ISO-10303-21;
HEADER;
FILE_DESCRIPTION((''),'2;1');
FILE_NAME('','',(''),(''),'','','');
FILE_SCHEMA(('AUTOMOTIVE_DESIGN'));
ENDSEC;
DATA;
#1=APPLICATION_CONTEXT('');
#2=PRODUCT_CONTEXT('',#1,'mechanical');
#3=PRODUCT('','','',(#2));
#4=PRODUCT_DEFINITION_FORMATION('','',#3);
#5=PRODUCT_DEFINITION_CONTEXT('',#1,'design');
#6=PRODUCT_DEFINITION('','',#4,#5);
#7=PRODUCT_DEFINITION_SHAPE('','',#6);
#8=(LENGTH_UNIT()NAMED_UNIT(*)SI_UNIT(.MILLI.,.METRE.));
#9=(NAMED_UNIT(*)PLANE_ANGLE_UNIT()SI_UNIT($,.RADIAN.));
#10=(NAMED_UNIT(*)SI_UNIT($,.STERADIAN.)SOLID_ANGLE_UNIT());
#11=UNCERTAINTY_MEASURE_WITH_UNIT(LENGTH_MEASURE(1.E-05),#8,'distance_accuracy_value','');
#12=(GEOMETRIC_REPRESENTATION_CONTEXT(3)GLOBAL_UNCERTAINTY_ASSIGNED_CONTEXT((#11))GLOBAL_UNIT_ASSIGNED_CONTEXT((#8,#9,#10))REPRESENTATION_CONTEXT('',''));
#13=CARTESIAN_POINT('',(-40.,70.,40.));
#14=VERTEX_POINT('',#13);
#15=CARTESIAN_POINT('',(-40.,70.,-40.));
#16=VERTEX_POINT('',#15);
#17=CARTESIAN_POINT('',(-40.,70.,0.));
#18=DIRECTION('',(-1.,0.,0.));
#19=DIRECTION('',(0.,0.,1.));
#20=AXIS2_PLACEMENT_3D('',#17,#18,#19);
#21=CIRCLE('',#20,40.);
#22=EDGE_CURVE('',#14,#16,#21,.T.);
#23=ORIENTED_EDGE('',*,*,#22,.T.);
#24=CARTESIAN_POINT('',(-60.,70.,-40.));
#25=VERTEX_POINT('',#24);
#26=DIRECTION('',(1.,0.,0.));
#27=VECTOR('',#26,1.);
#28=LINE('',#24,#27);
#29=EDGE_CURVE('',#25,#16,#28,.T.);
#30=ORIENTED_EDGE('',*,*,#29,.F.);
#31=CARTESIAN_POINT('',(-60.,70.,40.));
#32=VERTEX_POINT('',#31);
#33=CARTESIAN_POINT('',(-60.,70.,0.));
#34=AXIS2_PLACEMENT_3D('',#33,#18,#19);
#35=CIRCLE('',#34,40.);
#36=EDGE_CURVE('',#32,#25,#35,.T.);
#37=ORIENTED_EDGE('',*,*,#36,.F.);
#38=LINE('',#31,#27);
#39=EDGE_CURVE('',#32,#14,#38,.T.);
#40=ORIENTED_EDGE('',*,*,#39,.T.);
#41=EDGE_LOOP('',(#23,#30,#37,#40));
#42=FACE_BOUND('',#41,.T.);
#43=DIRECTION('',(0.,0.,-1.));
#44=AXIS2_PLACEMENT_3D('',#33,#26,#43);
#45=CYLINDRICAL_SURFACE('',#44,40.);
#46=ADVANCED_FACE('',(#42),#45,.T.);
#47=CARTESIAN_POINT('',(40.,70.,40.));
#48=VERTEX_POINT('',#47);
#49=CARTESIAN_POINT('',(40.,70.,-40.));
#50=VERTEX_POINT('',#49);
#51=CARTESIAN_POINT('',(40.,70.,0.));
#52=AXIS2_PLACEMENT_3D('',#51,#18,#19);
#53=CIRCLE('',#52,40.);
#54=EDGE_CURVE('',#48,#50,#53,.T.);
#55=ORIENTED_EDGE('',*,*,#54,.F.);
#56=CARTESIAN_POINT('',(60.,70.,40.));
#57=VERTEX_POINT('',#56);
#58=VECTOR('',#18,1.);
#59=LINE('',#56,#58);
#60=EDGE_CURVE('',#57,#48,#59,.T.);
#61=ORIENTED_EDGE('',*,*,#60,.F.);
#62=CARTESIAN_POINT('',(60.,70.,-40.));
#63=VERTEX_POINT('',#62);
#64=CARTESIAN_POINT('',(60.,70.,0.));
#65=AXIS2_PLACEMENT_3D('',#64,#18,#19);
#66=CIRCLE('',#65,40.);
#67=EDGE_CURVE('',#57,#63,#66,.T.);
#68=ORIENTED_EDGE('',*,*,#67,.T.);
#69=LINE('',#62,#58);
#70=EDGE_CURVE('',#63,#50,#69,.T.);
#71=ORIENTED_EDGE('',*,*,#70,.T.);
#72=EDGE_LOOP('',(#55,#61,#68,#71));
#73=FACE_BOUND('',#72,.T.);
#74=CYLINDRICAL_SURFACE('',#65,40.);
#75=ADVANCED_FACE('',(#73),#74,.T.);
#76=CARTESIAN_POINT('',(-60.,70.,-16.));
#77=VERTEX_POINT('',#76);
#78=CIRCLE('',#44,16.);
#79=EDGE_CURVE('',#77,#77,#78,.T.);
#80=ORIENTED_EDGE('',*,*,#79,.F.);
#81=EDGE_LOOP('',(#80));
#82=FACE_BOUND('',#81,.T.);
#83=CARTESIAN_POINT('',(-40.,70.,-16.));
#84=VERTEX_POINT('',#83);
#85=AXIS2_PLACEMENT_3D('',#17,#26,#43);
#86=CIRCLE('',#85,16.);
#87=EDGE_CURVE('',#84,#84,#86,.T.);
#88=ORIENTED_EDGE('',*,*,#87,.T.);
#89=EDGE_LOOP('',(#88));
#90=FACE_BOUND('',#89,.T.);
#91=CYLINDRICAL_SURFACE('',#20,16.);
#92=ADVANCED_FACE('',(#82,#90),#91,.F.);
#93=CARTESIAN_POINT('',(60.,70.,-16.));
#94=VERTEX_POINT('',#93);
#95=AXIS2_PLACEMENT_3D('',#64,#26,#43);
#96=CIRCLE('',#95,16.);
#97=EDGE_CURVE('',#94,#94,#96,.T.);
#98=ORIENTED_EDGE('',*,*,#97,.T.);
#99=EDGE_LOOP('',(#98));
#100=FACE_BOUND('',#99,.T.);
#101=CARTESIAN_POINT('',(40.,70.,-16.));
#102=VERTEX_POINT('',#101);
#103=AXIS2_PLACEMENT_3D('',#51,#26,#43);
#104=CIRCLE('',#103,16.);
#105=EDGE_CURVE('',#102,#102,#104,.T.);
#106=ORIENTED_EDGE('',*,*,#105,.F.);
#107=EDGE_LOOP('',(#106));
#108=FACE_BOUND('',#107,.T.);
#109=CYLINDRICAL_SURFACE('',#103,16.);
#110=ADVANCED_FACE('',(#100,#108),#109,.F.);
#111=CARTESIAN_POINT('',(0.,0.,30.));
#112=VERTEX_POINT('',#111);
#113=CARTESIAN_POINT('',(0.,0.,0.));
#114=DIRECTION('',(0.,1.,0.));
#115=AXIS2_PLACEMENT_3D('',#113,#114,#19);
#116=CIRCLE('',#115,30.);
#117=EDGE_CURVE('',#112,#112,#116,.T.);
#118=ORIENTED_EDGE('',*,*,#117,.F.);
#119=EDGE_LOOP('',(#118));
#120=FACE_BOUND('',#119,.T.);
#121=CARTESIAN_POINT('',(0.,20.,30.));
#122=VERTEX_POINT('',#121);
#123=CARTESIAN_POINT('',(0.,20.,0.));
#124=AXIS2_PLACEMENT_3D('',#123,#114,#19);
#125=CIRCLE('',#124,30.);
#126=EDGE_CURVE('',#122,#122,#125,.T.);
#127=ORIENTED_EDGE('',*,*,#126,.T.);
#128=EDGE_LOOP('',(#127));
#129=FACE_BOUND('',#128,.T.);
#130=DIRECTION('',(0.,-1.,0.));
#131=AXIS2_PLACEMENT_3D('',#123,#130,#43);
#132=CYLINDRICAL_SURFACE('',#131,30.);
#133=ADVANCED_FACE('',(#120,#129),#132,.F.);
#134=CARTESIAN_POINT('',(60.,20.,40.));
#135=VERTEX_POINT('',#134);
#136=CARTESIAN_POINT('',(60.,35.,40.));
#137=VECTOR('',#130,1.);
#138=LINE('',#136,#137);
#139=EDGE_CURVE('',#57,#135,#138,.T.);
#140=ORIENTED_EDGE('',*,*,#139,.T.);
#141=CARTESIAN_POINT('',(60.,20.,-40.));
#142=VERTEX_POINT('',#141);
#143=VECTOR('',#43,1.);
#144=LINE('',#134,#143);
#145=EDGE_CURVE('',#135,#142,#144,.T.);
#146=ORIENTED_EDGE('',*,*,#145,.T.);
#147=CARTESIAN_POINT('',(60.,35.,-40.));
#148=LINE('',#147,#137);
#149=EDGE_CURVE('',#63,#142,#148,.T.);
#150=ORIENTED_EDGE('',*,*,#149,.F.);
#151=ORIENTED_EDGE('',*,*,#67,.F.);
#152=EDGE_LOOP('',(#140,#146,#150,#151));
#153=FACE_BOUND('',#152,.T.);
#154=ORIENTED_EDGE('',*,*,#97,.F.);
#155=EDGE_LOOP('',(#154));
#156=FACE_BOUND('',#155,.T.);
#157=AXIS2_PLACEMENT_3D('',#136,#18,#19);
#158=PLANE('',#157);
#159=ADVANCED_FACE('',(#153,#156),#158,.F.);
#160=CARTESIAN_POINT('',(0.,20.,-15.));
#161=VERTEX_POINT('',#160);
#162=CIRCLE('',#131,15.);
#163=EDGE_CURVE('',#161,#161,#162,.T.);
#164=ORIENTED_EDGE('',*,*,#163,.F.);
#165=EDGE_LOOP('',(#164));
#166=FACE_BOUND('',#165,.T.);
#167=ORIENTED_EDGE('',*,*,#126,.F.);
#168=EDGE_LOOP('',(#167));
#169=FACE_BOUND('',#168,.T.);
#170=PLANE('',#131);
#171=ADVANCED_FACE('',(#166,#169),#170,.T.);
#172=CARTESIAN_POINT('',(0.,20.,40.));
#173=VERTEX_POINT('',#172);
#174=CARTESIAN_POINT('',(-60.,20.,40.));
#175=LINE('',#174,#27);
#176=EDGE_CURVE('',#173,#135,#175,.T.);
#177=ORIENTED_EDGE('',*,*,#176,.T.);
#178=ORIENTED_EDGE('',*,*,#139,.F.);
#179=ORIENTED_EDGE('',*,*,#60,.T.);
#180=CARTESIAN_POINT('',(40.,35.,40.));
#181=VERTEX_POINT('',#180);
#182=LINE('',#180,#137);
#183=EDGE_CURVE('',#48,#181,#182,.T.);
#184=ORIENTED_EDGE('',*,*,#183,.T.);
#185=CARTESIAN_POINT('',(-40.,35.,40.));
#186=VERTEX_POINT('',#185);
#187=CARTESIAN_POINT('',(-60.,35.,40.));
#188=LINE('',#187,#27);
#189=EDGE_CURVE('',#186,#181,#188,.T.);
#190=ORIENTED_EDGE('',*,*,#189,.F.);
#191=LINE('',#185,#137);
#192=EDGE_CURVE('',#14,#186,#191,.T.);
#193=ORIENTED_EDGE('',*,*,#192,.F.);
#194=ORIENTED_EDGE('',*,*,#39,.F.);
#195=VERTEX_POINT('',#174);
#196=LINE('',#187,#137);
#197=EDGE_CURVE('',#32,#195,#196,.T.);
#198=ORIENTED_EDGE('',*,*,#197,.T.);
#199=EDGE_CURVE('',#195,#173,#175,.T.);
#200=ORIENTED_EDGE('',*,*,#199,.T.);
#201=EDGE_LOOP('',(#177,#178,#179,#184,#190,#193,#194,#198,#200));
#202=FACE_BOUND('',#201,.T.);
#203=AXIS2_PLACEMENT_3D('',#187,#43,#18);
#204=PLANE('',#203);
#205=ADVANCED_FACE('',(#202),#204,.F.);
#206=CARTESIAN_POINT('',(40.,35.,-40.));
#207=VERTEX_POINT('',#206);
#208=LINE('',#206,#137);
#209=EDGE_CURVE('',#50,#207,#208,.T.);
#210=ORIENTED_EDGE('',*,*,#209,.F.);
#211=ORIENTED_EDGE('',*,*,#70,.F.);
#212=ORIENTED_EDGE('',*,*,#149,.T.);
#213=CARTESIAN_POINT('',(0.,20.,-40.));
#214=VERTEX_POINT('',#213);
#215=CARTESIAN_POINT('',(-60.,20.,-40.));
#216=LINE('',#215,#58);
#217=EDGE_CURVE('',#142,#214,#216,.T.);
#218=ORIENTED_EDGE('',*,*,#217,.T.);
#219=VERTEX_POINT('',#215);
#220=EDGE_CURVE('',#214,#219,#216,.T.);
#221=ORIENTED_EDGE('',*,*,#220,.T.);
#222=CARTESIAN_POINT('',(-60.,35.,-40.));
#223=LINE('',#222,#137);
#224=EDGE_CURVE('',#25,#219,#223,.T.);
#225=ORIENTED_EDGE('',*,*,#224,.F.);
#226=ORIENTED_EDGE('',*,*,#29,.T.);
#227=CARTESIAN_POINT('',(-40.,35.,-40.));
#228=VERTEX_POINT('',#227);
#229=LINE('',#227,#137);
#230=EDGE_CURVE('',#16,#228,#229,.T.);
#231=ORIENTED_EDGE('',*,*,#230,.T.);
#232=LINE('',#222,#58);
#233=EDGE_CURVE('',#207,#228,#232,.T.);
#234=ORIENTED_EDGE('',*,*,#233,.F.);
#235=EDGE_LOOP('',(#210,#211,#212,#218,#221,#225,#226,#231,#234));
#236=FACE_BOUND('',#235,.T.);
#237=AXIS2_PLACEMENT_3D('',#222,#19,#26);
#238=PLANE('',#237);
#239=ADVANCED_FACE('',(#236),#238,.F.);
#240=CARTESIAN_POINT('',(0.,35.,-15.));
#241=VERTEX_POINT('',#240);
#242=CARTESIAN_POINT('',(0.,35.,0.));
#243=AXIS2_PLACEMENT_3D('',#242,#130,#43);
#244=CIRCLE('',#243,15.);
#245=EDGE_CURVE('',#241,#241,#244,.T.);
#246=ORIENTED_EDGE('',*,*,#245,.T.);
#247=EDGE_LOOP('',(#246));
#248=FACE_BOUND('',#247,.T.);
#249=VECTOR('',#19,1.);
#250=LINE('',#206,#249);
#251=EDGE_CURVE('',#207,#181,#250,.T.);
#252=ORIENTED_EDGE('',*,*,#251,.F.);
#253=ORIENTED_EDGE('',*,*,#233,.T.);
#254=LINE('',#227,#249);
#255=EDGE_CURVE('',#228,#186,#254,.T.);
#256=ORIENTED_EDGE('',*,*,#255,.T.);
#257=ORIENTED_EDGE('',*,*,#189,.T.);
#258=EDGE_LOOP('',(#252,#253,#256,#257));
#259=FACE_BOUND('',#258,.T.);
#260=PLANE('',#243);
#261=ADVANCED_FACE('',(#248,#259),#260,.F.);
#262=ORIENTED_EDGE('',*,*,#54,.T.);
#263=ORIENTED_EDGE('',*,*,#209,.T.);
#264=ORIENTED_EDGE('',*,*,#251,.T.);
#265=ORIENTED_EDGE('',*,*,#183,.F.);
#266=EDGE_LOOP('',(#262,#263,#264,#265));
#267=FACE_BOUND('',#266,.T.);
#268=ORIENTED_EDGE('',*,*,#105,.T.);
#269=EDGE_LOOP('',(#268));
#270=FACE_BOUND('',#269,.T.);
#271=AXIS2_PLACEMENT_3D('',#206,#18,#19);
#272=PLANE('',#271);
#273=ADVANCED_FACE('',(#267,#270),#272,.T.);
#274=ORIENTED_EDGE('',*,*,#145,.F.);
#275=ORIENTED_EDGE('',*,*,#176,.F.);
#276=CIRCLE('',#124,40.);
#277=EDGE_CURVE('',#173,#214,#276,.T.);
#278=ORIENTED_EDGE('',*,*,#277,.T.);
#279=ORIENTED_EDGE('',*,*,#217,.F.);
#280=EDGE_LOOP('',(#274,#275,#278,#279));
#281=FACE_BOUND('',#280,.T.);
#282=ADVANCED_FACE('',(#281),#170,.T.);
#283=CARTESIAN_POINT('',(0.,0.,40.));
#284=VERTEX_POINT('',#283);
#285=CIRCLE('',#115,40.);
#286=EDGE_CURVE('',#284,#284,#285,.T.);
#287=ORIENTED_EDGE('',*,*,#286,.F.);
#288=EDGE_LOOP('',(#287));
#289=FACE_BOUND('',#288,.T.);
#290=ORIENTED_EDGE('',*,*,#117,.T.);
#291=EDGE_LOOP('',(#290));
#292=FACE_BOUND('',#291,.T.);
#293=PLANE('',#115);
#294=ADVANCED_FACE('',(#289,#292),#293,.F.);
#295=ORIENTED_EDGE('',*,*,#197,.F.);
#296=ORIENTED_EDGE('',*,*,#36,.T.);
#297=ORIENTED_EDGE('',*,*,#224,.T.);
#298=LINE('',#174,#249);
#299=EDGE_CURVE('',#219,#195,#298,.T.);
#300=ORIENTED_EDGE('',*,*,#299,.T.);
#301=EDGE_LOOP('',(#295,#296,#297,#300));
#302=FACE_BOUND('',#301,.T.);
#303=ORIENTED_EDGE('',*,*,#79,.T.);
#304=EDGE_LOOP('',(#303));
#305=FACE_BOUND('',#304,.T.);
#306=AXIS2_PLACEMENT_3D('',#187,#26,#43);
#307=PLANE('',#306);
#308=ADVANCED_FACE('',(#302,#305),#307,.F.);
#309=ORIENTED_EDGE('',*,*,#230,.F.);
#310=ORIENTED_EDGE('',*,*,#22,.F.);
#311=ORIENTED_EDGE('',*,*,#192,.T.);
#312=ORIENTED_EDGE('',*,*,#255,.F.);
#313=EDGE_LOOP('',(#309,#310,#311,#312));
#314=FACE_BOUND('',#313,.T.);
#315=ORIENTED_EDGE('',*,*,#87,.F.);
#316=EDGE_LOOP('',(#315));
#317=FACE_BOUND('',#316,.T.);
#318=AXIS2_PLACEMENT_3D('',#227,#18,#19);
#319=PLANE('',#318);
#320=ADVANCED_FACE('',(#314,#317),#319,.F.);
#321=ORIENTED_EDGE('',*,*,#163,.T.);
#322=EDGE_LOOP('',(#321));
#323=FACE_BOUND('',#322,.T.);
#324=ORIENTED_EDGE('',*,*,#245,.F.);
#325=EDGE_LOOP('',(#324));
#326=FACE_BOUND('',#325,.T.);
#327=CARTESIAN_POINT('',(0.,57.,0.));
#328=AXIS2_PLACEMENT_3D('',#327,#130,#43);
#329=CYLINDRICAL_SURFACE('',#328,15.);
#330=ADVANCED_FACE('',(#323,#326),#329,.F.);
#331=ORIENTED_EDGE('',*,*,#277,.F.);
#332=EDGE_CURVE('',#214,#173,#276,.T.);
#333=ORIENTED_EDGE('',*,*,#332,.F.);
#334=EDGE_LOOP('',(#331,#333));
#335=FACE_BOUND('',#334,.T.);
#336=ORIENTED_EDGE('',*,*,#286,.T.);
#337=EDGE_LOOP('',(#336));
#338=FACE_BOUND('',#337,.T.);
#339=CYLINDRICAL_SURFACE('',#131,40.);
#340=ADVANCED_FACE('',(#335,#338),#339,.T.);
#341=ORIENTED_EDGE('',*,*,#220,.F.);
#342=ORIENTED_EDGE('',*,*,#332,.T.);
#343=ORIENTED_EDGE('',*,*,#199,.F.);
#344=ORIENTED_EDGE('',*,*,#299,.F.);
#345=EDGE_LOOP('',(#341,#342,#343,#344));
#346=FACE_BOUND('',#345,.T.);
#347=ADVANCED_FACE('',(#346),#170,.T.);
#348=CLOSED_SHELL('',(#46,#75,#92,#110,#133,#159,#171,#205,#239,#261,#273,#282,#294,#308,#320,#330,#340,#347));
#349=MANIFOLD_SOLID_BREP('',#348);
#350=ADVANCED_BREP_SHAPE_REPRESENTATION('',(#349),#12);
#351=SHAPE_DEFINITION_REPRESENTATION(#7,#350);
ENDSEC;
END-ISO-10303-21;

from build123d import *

# Parameters (mm, degrees)
SKETCH1_R           = 40
SKETCH1_R_2         = 30
BOSS_EXTRUDE2_DEPTH = 20
SKETCH2_W           = 120
SKETCH2_H           = 80
BOSS_EXTRUDE3_DEPTH = 15
SKETCH3_R           = 15
CUT_EXTRUDE1_DEPTH  = 37
SKETCH7_W           = 20
SKETCH7_H           = 35
BOSS_EXTRUDE5_DEPTH = 80
BOSS_EXTRUDE6_DEPTH = 20
SKETCH9_R           = 16
CUT_EXTRUDE2_DEPTH  = 20


with BuildPart() as part:
    # Sketch1 → Boss-Extrude2 (new body)
    with BuildSketch(Plane(origin=(0, 0, 0), x_dir=(1, 0, 0), z_dir=(0, 1, 0))):
        with Locations(Location((0, 0, 0), (0, 0, 270))):
            Circle(SKETCH1_R)
        with Locations(Location((0, 0, 0), (0, 0, 270))):
            Circle(SKETCH1_R_2, mode=Mode.SUBTRACT)
    extrude(amount=BOSS_EXTRUDE2_DEPTH)

    # Sketch2 → Boss-Extrude3 (add)
    with BuildSketch(Plane(origin=(0, 20, 0), x_dir=(1, 0, 0), z_dir=(0, 1, 0))):
        Rectangle(SKETCH2_W, SKETCH2_H)
    extrude(amount=BOSS_EXTRUDE3_DEPTH)

    # Sketch3 → Cut-Extrude1 (cut)
    with BuildSketch(Plane.XZ.offset(-20)):
        with Locations(Location((0, 0, 0), (0, 0, 270))):
            Circle(SKETCH3_R)
    extrude(amount=-CUT_EXTRUDE1_DEPTH, mode=Mode.SUBTRACT)

    # Sketch7 → Boss-Extrude5 (add)
    with BuildSketch(Plane.XY.offset(40)):
        with Locations((50, 52.5)):
            Rectangle(SKETCH7_W, SKETCH7_H)
    boss_extrude5 = extrude(amount=-BOSS_EXTRUDE5_DEPTH)

    # Sketch8 → Boss-Extrude6 (add)
    with BuildSketch(Plane.ZY.offset(-40)):
        with BuildLine():
            Line((40, 70), (-40, 70))
            ThreePointArc((-40, 70), (0, 110), (40, 70))
        make_face()
    boss_extrude6 = extrude(amount=-BOSS_EXTRUDE6_DEPTH)

    # Sketch9 → Cut-Extrude2 (cut)
    with BuildSketch(Plane(origin=(60, 0, 0), x_dir=(0, 0, -1), z_dir=(1, 0, 0))):
        with Locations((0, 70)):
            Circle(SKETCH9_R)
    cut_extrude2 = extrude(amount=-CUT_EXTRUDE2_DEPTH, mode=Mode.SUBTRACT)

    # Mirror1: Boss-Extrude5, Boss-Extrude6, Cut-Extrude2 across plane
    add(boss_extrude5.mirror(Plane(origin=(0, 0, 0), x_dir=(0, 0, 1), z_dir=(1, 0, 0))))
    add(boss_extrude6.mirror(Plane(origin=(0, 0, 0), x_dir=(0, 0, 1), z_dir=(1, 0, 0))))
    add(cut_extrude2.mirror(Plane(origin=(0, 0, 0), x_dir=(0, 0, 1), z_dir=(1, 0, 0))), mode=Mode.SUBTRACT)


solid = part.part
